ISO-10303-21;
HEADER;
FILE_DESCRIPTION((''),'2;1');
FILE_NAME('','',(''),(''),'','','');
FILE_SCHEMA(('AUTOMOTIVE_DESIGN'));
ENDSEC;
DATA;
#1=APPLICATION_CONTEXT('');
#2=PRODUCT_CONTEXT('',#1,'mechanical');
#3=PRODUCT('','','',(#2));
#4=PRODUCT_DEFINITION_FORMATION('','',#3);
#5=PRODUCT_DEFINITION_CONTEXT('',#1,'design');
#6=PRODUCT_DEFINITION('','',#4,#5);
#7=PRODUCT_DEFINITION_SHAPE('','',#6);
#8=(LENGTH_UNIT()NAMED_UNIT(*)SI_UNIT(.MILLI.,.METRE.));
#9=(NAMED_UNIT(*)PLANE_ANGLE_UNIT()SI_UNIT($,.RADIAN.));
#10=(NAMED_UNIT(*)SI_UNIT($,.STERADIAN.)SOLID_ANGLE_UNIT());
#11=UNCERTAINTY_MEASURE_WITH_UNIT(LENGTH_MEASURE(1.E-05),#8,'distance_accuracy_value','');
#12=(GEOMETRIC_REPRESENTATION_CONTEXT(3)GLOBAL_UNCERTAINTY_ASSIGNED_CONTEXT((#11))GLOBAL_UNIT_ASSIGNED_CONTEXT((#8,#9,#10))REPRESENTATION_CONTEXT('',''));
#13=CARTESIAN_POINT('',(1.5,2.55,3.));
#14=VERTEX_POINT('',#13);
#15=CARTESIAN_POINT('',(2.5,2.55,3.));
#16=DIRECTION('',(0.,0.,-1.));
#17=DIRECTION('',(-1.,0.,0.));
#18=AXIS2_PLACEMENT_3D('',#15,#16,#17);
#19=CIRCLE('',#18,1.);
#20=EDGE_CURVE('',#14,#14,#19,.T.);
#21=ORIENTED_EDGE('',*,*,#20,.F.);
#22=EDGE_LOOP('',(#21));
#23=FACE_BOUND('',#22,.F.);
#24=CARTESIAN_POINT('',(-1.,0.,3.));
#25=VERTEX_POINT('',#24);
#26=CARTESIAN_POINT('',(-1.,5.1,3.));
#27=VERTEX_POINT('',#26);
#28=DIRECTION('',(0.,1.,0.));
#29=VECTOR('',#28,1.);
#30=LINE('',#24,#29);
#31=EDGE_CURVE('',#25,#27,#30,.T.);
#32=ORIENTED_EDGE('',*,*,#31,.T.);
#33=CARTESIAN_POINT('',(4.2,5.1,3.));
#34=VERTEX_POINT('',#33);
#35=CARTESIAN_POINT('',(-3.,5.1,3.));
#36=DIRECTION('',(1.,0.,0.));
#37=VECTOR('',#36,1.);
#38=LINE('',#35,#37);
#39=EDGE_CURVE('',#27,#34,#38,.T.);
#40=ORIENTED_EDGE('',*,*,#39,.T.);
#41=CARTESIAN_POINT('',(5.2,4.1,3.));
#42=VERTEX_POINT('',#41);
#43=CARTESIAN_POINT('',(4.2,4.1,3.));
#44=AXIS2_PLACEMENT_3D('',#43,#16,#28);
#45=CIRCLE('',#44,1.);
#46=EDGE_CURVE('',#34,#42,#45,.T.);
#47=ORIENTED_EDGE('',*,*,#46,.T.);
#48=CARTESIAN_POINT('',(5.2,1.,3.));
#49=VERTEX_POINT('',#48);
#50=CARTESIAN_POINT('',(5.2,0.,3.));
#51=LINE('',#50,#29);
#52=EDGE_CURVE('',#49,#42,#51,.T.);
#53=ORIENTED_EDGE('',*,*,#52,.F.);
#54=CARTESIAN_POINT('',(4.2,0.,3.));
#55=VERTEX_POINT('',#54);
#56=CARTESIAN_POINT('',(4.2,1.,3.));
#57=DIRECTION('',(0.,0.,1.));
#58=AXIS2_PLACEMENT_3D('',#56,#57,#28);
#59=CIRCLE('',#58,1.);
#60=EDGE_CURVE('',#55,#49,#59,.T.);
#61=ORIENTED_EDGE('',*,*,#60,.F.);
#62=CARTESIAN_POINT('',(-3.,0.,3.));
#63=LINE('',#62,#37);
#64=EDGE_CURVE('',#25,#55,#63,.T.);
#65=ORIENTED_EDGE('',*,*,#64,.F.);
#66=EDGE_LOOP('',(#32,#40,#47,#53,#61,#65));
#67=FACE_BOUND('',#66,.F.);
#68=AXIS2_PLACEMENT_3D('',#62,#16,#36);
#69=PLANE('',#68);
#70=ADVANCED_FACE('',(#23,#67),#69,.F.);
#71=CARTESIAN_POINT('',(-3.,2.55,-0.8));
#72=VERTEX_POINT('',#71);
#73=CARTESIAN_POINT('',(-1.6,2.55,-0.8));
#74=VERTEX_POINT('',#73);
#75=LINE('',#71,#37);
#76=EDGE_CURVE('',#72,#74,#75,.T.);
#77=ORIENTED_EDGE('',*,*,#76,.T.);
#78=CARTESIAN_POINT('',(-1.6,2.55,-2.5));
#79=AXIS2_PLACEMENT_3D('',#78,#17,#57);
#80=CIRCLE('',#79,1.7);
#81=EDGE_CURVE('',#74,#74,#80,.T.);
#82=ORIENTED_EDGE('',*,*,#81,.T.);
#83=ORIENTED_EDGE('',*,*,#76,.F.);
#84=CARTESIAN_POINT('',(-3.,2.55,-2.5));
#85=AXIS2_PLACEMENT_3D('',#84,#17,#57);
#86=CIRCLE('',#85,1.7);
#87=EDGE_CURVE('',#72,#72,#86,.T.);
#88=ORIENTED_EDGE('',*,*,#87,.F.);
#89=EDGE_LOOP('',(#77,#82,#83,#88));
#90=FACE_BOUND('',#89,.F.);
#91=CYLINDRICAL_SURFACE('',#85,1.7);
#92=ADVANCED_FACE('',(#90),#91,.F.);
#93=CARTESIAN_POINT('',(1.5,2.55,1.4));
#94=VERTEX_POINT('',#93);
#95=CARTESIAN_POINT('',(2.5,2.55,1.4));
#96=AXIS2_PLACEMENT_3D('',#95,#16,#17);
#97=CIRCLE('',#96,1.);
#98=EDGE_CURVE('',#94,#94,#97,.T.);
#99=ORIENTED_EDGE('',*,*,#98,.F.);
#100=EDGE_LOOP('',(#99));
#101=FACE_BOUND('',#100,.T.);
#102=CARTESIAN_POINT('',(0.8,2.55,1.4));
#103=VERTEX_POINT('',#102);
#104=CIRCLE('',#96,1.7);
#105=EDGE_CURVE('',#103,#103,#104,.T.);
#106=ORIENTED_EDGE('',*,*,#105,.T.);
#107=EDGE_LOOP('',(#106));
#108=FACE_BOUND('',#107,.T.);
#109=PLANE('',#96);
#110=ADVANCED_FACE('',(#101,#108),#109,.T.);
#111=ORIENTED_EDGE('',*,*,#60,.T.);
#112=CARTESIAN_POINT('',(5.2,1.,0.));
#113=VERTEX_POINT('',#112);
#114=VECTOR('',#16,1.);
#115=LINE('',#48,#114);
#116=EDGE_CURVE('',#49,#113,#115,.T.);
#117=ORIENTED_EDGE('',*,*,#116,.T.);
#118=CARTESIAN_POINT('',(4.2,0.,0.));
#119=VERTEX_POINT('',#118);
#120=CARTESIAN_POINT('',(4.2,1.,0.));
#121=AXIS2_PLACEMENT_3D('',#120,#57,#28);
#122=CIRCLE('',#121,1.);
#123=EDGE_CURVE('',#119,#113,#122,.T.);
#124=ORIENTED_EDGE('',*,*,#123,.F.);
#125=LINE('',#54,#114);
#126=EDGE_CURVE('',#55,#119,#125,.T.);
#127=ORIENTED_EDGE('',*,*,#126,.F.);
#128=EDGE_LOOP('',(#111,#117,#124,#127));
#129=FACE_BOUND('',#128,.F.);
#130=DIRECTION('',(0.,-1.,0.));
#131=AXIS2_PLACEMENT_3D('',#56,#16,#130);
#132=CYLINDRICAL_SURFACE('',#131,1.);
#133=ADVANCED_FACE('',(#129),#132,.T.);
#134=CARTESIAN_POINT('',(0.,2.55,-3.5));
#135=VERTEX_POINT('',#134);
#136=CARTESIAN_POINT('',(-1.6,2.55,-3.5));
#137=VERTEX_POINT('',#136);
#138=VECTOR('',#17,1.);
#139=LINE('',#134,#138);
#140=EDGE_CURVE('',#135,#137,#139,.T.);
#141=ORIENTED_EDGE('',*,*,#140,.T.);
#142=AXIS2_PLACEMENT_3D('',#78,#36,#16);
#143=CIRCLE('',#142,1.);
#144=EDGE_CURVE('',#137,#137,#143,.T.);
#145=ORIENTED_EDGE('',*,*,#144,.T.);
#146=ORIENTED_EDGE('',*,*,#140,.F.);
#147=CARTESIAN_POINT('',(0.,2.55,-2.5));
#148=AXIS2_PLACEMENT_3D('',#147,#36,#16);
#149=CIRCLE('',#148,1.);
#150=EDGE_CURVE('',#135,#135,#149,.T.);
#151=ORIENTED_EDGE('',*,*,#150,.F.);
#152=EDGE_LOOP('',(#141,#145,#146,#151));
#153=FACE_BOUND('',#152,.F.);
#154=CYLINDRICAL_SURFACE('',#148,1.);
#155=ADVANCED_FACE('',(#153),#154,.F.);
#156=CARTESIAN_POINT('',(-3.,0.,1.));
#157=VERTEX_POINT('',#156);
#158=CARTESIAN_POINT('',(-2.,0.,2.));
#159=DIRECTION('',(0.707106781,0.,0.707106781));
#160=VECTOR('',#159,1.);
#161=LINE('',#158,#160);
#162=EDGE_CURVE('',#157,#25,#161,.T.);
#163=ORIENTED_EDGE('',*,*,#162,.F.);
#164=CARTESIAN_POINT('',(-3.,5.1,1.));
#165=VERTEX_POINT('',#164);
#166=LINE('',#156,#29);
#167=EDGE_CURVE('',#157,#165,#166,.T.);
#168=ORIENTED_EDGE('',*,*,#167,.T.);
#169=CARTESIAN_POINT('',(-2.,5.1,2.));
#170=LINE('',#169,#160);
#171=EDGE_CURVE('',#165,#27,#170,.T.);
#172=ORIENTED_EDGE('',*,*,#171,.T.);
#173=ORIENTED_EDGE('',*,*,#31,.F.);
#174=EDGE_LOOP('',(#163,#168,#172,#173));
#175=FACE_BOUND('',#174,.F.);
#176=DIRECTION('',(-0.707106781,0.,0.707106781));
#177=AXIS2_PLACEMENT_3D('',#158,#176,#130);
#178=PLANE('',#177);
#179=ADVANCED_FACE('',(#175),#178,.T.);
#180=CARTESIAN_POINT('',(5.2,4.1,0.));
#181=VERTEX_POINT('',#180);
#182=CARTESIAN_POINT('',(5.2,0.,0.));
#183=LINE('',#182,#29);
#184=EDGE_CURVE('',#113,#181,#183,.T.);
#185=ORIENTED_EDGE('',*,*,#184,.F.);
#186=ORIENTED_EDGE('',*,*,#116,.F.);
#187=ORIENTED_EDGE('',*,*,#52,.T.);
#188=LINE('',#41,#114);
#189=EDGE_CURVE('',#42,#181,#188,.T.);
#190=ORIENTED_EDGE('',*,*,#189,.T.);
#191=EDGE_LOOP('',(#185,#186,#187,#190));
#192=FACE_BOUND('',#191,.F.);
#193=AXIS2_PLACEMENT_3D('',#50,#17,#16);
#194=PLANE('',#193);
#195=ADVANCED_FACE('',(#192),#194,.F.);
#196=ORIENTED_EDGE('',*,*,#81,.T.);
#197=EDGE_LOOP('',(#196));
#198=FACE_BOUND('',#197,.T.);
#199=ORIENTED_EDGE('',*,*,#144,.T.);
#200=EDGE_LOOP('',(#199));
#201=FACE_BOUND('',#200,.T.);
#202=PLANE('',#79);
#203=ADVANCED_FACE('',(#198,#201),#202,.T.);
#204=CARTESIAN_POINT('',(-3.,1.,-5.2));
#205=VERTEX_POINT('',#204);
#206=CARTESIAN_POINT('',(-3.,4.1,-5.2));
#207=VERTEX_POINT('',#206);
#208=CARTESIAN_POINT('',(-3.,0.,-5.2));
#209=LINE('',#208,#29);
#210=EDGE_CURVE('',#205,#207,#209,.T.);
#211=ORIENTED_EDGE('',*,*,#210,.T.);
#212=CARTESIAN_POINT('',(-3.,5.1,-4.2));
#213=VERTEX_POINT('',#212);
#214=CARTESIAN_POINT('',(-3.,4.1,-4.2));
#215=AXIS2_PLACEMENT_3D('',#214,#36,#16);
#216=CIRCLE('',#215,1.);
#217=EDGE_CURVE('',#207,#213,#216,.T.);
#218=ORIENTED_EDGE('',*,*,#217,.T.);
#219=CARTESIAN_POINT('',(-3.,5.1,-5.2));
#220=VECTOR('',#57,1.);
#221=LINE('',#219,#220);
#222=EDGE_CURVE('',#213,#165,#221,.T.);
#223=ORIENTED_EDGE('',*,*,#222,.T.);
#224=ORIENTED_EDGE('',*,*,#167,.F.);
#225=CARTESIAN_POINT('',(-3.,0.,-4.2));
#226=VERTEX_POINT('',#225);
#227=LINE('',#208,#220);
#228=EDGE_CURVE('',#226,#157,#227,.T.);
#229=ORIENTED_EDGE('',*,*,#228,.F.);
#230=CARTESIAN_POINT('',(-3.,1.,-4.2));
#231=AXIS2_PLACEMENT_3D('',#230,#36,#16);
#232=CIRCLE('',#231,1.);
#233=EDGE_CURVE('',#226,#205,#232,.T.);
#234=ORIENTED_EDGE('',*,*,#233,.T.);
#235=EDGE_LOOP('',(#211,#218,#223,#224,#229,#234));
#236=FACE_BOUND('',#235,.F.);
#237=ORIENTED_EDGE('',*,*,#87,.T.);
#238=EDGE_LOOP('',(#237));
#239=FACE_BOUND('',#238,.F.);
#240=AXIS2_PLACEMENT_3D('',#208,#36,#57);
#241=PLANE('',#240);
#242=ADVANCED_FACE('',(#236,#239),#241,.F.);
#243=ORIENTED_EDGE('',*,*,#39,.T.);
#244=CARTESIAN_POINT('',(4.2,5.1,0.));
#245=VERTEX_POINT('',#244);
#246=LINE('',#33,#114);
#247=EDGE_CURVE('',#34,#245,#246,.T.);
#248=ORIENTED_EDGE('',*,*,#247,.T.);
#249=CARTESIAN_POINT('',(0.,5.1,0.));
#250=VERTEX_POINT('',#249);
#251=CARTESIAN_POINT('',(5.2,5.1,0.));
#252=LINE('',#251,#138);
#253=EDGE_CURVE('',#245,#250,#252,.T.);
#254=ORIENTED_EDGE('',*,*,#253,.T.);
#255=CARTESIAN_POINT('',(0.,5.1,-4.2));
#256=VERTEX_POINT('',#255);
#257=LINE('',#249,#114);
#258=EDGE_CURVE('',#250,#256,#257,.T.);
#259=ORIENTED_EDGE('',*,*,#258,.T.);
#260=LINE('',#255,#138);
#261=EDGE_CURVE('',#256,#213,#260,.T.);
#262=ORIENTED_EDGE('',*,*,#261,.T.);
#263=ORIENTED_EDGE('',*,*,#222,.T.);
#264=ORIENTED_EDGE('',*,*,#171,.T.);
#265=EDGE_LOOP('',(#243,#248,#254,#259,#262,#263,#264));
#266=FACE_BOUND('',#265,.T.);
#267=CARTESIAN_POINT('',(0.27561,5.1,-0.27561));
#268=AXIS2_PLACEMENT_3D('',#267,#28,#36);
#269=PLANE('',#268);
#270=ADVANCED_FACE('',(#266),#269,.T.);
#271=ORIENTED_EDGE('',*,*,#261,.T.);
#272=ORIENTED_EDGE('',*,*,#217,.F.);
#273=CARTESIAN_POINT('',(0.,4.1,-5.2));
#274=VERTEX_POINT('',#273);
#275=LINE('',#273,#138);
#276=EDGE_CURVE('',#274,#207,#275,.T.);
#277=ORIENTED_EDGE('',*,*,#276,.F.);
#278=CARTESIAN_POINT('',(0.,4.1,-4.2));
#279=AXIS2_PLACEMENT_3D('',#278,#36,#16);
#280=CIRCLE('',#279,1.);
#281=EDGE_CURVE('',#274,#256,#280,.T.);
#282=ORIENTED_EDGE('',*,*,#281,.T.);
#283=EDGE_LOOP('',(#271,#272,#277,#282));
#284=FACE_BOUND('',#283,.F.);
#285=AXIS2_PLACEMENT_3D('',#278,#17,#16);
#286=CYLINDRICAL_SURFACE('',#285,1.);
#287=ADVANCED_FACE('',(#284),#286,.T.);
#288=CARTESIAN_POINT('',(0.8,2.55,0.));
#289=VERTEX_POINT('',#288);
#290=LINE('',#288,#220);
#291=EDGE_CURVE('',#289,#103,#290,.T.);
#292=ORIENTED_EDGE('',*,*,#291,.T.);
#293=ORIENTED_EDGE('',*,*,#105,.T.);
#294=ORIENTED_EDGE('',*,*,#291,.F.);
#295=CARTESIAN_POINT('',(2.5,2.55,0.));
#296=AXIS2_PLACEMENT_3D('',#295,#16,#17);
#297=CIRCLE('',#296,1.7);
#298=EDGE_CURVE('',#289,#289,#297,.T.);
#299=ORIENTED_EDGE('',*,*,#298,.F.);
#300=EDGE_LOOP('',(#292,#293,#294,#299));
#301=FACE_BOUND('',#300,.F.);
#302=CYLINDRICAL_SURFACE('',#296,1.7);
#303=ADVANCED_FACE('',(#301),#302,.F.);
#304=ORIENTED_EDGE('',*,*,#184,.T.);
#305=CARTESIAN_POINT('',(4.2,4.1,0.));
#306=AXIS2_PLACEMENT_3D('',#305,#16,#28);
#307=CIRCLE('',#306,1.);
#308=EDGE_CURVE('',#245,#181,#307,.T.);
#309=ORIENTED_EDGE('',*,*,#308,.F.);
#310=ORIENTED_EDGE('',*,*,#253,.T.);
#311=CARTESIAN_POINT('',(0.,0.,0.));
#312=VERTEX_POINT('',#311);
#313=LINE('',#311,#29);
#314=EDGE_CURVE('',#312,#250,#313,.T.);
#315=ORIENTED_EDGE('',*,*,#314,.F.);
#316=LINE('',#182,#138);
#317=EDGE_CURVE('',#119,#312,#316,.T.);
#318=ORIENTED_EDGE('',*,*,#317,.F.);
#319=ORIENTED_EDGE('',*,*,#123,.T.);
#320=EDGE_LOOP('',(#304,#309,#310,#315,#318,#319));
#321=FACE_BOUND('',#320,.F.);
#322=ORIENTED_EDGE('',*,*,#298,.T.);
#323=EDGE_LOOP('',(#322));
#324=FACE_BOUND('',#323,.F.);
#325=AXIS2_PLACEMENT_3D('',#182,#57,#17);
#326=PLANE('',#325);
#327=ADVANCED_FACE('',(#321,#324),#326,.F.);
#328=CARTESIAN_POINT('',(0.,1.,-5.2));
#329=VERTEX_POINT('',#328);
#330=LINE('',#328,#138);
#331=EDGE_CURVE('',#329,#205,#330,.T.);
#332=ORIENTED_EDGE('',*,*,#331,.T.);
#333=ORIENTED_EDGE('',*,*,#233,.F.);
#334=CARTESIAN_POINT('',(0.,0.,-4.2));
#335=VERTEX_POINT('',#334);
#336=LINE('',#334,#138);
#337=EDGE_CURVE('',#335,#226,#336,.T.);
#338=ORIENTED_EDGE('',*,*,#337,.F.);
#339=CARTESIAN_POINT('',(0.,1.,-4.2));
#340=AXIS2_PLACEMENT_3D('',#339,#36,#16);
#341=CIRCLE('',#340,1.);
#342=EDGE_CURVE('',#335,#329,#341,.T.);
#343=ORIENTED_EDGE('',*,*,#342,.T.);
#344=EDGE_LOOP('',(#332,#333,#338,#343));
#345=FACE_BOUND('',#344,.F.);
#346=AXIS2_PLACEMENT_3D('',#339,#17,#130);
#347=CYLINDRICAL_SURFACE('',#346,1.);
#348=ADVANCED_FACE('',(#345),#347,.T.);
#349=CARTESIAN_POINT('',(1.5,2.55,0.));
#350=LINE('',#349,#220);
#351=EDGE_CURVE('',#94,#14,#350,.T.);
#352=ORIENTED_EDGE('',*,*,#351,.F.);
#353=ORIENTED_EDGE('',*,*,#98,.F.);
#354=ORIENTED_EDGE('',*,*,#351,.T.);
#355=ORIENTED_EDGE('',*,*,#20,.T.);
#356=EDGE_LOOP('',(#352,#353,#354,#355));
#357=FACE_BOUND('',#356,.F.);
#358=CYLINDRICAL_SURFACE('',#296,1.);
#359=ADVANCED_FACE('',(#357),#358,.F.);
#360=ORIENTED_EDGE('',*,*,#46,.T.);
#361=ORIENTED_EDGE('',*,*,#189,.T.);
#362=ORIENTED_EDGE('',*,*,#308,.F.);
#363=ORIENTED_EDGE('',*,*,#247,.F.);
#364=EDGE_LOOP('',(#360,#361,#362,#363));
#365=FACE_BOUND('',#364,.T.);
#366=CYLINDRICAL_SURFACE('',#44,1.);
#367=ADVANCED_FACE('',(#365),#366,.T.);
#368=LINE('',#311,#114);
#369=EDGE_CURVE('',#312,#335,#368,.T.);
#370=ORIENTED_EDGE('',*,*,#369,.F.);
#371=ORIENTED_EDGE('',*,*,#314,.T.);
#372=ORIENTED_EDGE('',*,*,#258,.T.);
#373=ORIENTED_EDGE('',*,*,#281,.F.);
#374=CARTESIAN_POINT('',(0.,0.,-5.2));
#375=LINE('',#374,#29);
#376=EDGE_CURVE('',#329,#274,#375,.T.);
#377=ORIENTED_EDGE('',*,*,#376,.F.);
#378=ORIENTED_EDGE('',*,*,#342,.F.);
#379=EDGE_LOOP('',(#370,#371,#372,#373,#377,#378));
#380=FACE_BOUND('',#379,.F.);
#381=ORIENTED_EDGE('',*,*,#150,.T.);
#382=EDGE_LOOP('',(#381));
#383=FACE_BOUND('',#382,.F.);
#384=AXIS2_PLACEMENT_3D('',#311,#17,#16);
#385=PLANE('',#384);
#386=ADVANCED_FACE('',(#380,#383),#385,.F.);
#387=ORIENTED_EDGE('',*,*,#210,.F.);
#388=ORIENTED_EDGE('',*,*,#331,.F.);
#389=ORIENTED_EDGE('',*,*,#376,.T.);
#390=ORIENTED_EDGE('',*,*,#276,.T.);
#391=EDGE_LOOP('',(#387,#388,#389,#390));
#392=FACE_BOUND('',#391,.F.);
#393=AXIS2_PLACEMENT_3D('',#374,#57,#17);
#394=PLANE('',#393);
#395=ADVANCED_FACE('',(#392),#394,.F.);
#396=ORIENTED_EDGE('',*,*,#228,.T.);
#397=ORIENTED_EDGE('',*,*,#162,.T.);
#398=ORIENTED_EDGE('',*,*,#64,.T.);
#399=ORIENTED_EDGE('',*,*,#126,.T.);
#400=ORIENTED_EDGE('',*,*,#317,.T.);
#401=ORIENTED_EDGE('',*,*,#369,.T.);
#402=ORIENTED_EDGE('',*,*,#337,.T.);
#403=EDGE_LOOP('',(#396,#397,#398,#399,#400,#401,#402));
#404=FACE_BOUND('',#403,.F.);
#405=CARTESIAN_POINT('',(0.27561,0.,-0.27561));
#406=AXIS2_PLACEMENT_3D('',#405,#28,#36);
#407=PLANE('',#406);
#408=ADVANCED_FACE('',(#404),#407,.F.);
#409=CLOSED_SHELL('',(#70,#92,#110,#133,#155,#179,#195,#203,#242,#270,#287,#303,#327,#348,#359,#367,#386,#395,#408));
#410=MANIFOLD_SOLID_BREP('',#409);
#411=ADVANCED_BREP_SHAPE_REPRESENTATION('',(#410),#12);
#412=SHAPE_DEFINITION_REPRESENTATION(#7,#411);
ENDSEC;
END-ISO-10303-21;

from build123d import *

# Parameters (mm, degrees)
BOSS_EXTRUDE1_DEPTH = 5.1
CHAMFER1_SIZE       = 2
FILLET1_R           = 1
SKETCH3_R           = 1
CUT_EXTRUDE1_DEPTH  = 5.1
SKETCH4_R           = 1
CUT_EXTRUDE2_DEPTH  = 5.1
SKETCH5_R           = 1.7
CUT_EXTRUDE3_DEPTH  = 1.4
SKETCH6_R           = 1.7
CUT_EXTRUDE4_DEPTH  = 1.4


with BuildPart() as part:
    # Sketch1 → Boss-Extrude1 (new body)
    with BuildSketch(Plane(origin=(0, 0, 0), x_dir=(1, 0, 0), z_dir=(0, 1, 0))):
        Polygon((0, 0), (0, 5.2), (-3, 5.2), (-3, -3), (5.2, -3), (5.2, 0), align=None)
    extrude(amount=BOSS_EXTRUDE1_DEPTH)

    # Chamfer1
    chamfer1_edges = [part.edges().sort_by_distance(p)[0] for p in [
        (-3, 2.55, 3),
    ]]
    chamfer(chamfer1_edges, length=CHAMFER1_SIZE)

    # Fillet1
    fillet1_edges = [part.edges().sort_by_distance(p)[0] for p in [
        (-1.5, 5.1, -5.2),
        (5.2, 5.1, 1.5),
        (5.2, 0, 1.5),
        (-1.5, 0, -5.2),
    ]]
    fillet(fillet1_edges, radius=FILLET1_R)

    # Sketch3 → Cut-Extrude1 (cut)
    with BuildSketch(Plane(origin=(0, 0, 0), x_dir=(0, 0, -1), z_dir=(1, 0, 0))):
        with Locations((2.5, 2.55)):
            Circle(SKETCH3_R)
    extrude(amount=-CUT_EXTRUDE1_DEPTH, mode=Mode.SUBTRACT)

    # Sketch4 → Cut-Extrude2 (cut)
    with BuildSketch(Plane(origin=(0, 0, 0), x_dir=(-1, 0, 0), z_dir=(0, 0, -1))):
        with Locations((-2.5, 2.55)):
            Circle(SKETCH4_R)
    extrude(amount=-CUT_EXTRUDE2_DEPTH, mode=Mode.SUBTRACT)

    # Sketch5 → Cut-Extrude3 (cut)
    with BuildSketch(Plane(origin=(0, 0, 0), x_dir=(-1, 0, 0), z_dir=(0, 0, -1))):
        with Locations((-2.5, 2.55)):
            Circle(SKETCH5_R)
    extrude(amount=-CUT_EXTRUDE3_DEPTH, mode=Mode.SUBTRACT)

    # Sketch6 → Cut-Extrude4 (cut)
    with BuildSketch(Plane.ZY.offset(3)):
        with Locations((-2.5, 2.55)):
            Circle(SKETCH6_R)
    extrude(amount=-CUT_EXTRUDE4_DEPTH, mode=Mode.SUBTRACT)


solid = part.part
